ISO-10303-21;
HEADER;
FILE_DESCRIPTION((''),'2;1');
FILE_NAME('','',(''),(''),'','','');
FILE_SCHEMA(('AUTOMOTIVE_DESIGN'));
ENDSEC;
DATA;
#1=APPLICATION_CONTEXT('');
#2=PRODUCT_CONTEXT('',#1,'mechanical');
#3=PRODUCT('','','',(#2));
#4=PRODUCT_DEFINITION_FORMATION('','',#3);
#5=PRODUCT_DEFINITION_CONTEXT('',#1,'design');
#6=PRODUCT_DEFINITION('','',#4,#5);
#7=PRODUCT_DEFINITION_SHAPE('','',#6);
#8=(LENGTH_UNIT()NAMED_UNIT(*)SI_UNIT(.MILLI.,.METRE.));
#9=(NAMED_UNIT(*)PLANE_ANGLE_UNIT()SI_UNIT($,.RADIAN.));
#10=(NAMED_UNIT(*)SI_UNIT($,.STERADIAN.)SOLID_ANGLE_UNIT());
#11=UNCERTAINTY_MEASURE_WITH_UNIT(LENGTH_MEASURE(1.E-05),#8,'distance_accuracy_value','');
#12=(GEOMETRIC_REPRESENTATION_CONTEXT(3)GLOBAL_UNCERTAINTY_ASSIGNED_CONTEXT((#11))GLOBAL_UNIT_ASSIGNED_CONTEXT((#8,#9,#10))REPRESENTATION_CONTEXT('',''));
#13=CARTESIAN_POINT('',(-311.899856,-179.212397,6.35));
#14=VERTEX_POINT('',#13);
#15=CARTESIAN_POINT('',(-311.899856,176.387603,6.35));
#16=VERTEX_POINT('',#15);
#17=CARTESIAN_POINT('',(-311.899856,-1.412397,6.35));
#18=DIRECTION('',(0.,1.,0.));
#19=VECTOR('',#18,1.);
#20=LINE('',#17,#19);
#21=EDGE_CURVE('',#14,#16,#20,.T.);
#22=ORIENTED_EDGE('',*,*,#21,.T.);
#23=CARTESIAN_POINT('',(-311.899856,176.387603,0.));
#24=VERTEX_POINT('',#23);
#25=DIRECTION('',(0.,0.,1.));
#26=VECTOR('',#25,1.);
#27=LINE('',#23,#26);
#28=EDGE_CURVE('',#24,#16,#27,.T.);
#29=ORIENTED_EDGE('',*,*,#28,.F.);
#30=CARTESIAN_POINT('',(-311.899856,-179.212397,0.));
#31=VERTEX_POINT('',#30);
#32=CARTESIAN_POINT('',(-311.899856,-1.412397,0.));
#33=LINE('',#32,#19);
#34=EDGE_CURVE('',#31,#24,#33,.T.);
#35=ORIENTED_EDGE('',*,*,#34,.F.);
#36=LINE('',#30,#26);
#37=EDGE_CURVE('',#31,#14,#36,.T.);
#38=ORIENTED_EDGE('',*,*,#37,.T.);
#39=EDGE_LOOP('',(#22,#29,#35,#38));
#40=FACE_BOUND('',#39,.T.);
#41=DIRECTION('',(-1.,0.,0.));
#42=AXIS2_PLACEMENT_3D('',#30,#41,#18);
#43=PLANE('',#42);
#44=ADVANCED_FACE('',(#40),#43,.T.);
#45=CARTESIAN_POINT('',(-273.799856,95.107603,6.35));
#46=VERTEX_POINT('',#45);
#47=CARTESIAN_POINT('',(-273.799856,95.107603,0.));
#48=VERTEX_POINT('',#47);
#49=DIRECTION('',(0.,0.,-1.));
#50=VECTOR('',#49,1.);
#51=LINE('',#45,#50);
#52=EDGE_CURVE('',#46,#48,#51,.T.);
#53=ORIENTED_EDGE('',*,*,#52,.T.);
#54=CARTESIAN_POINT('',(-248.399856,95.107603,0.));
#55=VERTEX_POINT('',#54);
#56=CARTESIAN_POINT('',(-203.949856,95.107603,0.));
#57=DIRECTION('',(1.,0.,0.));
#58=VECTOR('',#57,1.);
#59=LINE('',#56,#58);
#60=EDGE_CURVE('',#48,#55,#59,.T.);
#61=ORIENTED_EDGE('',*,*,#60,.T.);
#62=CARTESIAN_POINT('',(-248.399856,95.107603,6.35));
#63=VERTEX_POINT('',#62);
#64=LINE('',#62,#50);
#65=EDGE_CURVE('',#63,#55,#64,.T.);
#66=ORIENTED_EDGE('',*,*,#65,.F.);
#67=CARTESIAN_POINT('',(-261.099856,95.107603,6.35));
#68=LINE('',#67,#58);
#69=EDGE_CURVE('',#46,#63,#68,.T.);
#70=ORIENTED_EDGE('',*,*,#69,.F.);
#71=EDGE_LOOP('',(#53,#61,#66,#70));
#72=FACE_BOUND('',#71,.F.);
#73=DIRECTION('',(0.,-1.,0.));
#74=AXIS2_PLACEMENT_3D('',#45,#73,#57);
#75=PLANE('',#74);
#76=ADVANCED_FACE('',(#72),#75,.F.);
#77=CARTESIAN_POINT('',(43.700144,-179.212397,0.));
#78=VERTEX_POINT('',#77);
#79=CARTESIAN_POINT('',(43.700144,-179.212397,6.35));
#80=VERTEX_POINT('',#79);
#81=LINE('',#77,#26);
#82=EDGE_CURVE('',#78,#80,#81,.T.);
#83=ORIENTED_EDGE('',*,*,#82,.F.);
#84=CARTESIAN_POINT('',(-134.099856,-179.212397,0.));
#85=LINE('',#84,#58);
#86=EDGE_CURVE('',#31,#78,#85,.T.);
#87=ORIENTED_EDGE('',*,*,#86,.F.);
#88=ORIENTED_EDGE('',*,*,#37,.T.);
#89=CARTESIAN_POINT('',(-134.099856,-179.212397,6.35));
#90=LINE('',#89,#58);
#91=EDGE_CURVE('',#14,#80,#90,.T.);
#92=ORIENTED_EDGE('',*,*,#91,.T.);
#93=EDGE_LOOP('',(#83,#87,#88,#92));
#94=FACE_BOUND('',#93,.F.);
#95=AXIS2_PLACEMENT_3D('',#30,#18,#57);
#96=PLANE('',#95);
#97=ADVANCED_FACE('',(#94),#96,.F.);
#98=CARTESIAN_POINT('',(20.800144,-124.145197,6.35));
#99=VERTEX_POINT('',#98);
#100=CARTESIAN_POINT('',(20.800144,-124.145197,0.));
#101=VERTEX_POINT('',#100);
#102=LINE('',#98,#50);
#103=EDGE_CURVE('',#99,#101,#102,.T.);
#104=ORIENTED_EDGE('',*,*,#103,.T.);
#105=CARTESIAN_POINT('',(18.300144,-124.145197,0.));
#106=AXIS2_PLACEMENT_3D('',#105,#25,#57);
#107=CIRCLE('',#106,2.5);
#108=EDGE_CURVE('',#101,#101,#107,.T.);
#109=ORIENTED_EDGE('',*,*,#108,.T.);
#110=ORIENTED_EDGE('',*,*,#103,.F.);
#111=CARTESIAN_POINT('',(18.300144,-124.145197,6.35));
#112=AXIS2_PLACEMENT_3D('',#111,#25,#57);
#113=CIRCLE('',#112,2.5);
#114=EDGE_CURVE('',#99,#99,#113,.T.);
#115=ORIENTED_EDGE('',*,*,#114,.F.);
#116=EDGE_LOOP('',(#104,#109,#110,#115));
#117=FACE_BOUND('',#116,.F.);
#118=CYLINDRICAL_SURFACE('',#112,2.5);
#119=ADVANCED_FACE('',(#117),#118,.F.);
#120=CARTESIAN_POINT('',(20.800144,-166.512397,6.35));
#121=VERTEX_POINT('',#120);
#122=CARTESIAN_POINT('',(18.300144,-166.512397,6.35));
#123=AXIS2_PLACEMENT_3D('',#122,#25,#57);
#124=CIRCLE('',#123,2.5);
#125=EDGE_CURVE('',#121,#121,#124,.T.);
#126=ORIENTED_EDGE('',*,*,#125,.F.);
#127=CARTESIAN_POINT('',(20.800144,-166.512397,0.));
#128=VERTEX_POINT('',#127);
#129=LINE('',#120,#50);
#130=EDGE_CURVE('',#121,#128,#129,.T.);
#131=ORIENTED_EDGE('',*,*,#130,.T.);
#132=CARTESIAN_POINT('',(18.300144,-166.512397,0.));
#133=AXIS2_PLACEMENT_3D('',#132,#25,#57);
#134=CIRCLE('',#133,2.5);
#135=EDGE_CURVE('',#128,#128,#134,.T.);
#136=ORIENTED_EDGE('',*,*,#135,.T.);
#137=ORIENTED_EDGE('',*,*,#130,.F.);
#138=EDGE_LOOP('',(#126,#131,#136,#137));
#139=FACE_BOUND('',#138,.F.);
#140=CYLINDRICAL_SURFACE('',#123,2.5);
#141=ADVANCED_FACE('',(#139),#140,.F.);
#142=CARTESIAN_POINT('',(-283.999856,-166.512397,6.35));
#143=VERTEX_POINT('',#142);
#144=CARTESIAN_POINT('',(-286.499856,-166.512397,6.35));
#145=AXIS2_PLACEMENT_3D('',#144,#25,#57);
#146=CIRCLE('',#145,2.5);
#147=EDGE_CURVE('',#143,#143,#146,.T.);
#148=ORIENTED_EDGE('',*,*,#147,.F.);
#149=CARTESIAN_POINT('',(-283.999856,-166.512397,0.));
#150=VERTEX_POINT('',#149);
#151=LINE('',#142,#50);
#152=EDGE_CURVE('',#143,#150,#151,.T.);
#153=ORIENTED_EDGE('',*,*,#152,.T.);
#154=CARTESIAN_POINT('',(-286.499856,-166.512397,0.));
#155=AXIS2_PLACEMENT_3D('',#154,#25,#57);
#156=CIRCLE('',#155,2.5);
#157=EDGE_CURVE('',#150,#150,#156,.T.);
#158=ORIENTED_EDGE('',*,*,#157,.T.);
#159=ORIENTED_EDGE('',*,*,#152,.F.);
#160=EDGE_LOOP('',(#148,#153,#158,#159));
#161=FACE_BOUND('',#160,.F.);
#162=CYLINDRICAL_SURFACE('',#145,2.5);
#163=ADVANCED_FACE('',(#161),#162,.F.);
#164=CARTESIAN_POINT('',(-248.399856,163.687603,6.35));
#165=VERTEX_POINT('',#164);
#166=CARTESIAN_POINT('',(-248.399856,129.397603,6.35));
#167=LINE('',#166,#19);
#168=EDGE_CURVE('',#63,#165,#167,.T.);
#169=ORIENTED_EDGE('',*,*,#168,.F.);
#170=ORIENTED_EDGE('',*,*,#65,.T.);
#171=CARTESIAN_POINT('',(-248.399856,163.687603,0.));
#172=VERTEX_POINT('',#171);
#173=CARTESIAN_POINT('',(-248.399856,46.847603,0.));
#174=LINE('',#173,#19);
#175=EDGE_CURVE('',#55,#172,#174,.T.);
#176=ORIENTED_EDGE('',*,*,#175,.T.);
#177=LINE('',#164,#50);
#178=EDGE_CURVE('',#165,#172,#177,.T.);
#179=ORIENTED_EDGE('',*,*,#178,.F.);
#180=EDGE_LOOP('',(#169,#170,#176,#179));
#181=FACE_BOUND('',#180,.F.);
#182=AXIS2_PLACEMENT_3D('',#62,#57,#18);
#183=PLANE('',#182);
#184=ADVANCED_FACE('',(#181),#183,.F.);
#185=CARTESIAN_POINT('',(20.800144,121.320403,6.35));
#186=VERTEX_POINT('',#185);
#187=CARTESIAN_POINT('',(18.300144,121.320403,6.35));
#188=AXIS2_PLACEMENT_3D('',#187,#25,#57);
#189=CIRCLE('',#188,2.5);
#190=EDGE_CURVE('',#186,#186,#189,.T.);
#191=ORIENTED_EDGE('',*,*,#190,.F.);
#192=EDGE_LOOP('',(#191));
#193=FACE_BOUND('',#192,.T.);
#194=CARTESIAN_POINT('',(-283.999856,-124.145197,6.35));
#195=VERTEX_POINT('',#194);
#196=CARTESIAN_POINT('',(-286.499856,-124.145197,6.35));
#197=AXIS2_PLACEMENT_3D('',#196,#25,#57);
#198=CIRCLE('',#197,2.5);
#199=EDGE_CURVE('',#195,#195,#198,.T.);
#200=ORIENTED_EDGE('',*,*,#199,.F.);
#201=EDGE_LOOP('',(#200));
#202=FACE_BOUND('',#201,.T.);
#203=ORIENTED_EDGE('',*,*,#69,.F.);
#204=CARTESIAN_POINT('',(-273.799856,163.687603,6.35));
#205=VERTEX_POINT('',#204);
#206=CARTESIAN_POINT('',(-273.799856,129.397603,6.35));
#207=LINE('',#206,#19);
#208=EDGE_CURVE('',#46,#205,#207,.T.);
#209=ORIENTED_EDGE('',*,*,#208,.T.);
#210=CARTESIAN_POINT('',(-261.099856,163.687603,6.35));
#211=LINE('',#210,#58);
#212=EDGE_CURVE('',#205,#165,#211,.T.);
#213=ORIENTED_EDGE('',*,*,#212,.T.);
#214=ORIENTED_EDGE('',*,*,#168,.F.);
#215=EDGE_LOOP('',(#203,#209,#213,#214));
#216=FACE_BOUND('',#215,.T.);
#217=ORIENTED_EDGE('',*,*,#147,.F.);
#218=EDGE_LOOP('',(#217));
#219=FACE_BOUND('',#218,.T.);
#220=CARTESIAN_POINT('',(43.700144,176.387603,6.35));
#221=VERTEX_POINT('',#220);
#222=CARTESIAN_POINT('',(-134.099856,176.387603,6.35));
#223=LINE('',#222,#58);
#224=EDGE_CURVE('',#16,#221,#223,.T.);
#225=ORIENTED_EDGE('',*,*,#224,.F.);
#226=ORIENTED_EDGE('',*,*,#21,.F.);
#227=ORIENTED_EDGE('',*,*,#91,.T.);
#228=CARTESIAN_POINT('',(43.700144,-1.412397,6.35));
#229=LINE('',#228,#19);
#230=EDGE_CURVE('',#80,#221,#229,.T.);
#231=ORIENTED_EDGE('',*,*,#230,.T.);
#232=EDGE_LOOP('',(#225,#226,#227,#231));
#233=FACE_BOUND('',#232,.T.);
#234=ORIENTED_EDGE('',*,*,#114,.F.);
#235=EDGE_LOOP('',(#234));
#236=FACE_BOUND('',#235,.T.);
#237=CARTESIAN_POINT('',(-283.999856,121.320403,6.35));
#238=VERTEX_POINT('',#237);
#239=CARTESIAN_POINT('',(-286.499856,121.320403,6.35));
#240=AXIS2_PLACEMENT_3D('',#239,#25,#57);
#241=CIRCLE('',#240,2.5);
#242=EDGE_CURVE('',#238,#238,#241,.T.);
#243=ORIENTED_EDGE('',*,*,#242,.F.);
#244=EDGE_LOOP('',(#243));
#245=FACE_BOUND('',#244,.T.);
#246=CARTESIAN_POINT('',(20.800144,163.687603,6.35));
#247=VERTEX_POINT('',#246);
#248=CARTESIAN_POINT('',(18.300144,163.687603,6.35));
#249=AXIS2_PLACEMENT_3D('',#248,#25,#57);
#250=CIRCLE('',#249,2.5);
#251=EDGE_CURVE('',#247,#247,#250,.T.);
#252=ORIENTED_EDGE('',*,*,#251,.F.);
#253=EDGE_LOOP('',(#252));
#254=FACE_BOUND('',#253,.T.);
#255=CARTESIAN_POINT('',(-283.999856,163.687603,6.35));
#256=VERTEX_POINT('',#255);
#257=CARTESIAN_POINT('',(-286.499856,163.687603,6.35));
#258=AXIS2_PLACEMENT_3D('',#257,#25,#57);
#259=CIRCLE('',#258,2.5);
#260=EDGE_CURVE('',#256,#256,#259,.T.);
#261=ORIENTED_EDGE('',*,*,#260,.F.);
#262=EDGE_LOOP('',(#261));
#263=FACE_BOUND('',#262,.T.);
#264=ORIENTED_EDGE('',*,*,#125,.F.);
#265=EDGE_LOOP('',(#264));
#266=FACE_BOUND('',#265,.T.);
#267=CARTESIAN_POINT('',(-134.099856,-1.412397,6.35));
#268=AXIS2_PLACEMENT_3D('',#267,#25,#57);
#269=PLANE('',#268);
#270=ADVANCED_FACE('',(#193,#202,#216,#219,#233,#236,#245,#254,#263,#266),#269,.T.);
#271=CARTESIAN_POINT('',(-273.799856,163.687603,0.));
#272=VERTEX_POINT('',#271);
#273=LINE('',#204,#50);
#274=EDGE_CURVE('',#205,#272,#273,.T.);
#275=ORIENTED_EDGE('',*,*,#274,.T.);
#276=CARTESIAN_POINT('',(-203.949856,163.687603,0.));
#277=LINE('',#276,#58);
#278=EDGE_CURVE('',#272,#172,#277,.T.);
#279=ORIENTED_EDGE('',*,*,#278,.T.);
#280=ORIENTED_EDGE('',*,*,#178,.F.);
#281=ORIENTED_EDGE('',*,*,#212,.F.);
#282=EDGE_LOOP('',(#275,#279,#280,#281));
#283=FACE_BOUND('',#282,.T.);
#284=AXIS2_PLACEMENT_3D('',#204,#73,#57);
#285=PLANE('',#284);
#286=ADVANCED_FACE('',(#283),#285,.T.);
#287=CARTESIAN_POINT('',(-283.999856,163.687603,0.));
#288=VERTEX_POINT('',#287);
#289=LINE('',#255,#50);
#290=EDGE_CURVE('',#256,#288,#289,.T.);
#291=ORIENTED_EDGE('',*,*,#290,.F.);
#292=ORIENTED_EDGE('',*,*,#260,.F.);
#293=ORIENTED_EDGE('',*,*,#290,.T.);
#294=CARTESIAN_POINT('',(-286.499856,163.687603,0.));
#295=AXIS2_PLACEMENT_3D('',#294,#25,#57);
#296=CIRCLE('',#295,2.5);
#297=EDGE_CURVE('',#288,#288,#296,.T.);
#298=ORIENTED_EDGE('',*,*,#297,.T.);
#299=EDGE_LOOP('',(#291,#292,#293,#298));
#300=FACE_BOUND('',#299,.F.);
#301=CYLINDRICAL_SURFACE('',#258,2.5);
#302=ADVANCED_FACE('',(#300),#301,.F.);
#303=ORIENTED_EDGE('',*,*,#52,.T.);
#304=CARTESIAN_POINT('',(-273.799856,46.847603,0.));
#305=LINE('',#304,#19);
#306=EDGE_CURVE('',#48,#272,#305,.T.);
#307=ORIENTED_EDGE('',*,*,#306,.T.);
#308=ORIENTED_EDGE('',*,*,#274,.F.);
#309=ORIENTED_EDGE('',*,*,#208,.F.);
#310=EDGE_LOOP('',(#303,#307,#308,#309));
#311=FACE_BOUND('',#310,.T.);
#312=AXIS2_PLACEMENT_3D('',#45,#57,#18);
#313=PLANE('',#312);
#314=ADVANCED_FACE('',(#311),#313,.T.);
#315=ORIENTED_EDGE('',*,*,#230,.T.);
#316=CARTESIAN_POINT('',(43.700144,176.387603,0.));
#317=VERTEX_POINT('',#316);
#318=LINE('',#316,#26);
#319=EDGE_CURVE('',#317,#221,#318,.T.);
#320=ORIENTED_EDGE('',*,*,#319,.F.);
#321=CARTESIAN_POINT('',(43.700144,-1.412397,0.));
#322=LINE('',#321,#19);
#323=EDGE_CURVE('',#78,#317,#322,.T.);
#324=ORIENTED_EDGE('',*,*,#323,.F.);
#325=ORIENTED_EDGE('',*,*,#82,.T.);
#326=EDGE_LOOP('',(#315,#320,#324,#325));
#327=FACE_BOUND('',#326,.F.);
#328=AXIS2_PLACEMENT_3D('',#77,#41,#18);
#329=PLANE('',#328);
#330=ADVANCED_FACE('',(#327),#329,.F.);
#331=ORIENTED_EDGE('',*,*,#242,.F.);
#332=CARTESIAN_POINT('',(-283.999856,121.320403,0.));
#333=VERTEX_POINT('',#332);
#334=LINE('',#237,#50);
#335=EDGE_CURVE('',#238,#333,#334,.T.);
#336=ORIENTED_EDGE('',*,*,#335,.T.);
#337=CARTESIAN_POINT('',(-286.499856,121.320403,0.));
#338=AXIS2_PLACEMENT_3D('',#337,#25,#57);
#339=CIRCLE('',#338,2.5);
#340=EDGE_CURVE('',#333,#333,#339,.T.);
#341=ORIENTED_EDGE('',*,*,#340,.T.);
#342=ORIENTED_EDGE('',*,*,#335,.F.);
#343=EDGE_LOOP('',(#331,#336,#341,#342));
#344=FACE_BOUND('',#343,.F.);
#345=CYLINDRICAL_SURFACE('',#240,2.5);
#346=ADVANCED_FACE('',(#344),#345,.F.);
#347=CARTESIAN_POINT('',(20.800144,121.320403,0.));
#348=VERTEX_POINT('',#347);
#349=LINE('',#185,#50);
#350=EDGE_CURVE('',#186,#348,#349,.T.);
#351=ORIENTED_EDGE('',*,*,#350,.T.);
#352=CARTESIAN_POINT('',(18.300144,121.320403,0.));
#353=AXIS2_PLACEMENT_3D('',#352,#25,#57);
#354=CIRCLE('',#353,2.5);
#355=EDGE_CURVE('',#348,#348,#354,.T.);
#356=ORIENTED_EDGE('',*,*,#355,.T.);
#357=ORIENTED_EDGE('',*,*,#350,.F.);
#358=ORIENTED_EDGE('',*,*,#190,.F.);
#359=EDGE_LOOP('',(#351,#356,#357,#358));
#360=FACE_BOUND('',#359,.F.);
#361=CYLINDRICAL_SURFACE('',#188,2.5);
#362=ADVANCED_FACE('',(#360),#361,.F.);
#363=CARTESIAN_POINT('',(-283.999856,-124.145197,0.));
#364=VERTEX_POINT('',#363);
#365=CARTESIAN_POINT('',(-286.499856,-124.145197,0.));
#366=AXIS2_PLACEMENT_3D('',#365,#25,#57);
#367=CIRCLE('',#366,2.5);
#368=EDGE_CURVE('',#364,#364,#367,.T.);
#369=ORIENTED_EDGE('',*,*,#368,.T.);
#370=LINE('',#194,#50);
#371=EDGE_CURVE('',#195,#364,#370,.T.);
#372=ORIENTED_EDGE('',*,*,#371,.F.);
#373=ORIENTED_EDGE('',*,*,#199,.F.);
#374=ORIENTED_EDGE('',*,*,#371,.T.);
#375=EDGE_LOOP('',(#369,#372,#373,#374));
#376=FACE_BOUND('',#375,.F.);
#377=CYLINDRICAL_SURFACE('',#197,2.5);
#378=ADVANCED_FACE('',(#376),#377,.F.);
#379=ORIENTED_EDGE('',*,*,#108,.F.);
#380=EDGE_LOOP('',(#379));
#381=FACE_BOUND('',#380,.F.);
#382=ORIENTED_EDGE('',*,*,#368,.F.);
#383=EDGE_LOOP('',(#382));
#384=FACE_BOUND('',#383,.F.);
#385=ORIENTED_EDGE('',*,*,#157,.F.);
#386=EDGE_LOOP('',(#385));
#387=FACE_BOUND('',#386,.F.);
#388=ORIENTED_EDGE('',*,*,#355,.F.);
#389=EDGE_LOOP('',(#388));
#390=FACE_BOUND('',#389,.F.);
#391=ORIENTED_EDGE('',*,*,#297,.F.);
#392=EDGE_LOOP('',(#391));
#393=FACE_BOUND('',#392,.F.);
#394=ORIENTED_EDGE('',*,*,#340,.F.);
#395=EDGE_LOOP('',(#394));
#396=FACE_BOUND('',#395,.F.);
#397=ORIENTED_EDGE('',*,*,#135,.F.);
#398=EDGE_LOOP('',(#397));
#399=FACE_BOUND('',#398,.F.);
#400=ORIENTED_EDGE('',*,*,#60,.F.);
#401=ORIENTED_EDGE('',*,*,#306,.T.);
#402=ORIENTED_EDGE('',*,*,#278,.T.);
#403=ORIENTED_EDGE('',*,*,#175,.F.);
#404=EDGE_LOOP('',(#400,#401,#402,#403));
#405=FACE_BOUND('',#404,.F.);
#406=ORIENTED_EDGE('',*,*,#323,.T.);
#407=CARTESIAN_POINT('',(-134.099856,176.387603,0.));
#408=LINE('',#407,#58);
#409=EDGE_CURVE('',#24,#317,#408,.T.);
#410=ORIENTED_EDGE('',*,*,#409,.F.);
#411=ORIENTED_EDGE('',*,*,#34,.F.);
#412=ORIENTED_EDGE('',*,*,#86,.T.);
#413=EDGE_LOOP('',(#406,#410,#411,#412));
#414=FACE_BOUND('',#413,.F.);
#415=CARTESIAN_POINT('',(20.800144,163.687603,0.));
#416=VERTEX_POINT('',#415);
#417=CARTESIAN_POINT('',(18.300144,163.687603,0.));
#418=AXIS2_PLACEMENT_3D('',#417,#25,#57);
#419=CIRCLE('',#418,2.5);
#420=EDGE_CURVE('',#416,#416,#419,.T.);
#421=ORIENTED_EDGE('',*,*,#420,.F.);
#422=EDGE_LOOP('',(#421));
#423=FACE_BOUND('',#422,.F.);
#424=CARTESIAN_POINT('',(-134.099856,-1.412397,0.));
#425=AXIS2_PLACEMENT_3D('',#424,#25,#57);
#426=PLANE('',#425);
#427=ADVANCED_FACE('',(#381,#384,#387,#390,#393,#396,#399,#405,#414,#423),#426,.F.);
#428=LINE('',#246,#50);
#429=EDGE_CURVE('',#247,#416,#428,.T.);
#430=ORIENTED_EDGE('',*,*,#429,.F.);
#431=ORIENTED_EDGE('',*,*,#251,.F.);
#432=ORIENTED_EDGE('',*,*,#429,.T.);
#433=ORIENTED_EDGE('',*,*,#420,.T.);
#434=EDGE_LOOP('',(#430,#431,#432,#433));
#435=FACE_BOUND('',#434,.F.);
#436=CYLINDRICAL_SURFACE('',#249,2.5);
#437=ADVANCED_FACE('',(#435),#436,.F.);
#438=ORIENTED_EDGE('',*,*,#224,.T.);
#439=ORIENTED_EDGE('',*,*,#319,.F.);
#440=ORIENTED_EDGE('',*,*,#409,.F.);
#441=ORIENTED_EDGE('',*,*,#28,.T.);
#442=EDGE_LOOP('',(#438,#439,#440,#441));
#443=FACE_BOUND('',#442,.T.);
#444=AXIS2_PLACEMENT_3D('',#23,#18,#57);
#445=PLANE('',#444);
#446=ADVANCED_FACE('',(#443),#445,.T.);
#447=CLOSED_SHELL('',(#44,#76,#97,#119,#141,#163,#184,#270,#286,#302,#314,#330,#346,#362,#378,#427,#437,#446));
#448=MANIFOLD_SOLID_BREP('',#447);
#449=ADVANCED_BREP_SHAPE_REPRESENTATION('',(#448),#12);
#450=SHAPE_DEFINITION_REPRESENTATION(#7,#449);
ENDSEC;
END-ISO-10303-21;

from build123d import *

# Parameters (mm, degrees)
F0_W     = 355.6
F0_H     = 355.6
F1_DEPTH = 6.35
F2_R     = 2.5
F2_W     = 25.4
F2_H     = 68.58
F3_DEPTH = 6.351
F4_DEPTH = 6.351
F5_DEPTH = 6.351


with BuildPart() as f1:
    # F0 (on Top) → F1 (new body)
    with BuildSketch(Plane.XY):
        with Locations((-134.099856, -1.412397)):
            Rectangle(F0_W, F0_H)
    extrude(amount=F1_DEPTH)

    # F2 (on face) → F3 (cut, through all)
    with BuildSketch(Plane.XY.offset(6.35)):
        with Locations((-286.499856, 163.687603)):
            Circle(F2_R)
        with Locations((-286.499856, -166.512397)):
            Circle(F2_R)
        with Locations((18.300144, -166.512397)):
            Circle(F2_R)
        with Locations((18.300144, 163.687603)):
            Circle(F2_R)
        with Locations((-286.499856, -124.145197)):
            Circle(F2_R)
        with Locations((-286.499856, 121.320403)):
            Circle(F2_R)
        with Locations((18.300144, 121.320403)):
            Circle(F2_R)
        with Locations((18.300144, -124.145197)):
            Circle(F2_R)
        with Locations((-261.099856, 129.397603)):
            Rectangle(F2_W, F2_H)
    extrude(amount=-F3_DEPTH, mode=Mode.SUBTRACT)

    # F2 (on face) → F4 (cut, through all)
    with BuildSketch(Plane.XY.offset(6.35)):
        with Locations((-286.499856, 163.687603)):
            Circle(F2_R)
        with Locations((-286.499856, -166.512397)):
            Circle(F2_R)
        with Locations((18.300144, -166.512397)):
            Circle(F2_R)
        with Locations((18.300144, 163.687603)):
            Circle(F2_R)
        with Locations((-286.499856, -124.145197)):
            Circle(F2_R)
        with Locations((-286.499856, 121.320403)):
            Circle(F2_R)
        with Locations((18.300144, 121.320403)):
            Circle(F2_R)
        with Locations((18.300144, -124.145197)):
            Circle(F2_R)
        with Locations((-261.099856, 129.397603)):
            Rectangle(F2_W, F2_H)
    extrude(amount=-F4_DEPTH, mode=Mode.SUBTRACT)

    # F2 (on face) → F5 (cut, through all)
    with BuildSketch(Plane.XY.offset(6.35)):
        with Locations((-286.499856, 163.687603)):
            Circle(F2_R)
        with Locations((-286.499856, -166.512397)):
            Circle(F2_R)
        with Locations((18.300144, -166.512397)):
            Circle(F2_R)
        with Locations((18.300144, 163.687603)):
            Circle(F2_R)
        with Locations((-286.499856, -124.145197)):
            Circle(F2_R)
        with Locations((-286.499856, 121.320403)):
            Circle(F2_R)
        with Locations((18.300144, 121.320403)):
            Circle(F2_R)
        with Locations((18.300144, -124.145197)):
            Circle(F2_R)
    extrude(amount=-F5_DEPTH, mode=Mode.SUBTRACT)


solid = f1.part
